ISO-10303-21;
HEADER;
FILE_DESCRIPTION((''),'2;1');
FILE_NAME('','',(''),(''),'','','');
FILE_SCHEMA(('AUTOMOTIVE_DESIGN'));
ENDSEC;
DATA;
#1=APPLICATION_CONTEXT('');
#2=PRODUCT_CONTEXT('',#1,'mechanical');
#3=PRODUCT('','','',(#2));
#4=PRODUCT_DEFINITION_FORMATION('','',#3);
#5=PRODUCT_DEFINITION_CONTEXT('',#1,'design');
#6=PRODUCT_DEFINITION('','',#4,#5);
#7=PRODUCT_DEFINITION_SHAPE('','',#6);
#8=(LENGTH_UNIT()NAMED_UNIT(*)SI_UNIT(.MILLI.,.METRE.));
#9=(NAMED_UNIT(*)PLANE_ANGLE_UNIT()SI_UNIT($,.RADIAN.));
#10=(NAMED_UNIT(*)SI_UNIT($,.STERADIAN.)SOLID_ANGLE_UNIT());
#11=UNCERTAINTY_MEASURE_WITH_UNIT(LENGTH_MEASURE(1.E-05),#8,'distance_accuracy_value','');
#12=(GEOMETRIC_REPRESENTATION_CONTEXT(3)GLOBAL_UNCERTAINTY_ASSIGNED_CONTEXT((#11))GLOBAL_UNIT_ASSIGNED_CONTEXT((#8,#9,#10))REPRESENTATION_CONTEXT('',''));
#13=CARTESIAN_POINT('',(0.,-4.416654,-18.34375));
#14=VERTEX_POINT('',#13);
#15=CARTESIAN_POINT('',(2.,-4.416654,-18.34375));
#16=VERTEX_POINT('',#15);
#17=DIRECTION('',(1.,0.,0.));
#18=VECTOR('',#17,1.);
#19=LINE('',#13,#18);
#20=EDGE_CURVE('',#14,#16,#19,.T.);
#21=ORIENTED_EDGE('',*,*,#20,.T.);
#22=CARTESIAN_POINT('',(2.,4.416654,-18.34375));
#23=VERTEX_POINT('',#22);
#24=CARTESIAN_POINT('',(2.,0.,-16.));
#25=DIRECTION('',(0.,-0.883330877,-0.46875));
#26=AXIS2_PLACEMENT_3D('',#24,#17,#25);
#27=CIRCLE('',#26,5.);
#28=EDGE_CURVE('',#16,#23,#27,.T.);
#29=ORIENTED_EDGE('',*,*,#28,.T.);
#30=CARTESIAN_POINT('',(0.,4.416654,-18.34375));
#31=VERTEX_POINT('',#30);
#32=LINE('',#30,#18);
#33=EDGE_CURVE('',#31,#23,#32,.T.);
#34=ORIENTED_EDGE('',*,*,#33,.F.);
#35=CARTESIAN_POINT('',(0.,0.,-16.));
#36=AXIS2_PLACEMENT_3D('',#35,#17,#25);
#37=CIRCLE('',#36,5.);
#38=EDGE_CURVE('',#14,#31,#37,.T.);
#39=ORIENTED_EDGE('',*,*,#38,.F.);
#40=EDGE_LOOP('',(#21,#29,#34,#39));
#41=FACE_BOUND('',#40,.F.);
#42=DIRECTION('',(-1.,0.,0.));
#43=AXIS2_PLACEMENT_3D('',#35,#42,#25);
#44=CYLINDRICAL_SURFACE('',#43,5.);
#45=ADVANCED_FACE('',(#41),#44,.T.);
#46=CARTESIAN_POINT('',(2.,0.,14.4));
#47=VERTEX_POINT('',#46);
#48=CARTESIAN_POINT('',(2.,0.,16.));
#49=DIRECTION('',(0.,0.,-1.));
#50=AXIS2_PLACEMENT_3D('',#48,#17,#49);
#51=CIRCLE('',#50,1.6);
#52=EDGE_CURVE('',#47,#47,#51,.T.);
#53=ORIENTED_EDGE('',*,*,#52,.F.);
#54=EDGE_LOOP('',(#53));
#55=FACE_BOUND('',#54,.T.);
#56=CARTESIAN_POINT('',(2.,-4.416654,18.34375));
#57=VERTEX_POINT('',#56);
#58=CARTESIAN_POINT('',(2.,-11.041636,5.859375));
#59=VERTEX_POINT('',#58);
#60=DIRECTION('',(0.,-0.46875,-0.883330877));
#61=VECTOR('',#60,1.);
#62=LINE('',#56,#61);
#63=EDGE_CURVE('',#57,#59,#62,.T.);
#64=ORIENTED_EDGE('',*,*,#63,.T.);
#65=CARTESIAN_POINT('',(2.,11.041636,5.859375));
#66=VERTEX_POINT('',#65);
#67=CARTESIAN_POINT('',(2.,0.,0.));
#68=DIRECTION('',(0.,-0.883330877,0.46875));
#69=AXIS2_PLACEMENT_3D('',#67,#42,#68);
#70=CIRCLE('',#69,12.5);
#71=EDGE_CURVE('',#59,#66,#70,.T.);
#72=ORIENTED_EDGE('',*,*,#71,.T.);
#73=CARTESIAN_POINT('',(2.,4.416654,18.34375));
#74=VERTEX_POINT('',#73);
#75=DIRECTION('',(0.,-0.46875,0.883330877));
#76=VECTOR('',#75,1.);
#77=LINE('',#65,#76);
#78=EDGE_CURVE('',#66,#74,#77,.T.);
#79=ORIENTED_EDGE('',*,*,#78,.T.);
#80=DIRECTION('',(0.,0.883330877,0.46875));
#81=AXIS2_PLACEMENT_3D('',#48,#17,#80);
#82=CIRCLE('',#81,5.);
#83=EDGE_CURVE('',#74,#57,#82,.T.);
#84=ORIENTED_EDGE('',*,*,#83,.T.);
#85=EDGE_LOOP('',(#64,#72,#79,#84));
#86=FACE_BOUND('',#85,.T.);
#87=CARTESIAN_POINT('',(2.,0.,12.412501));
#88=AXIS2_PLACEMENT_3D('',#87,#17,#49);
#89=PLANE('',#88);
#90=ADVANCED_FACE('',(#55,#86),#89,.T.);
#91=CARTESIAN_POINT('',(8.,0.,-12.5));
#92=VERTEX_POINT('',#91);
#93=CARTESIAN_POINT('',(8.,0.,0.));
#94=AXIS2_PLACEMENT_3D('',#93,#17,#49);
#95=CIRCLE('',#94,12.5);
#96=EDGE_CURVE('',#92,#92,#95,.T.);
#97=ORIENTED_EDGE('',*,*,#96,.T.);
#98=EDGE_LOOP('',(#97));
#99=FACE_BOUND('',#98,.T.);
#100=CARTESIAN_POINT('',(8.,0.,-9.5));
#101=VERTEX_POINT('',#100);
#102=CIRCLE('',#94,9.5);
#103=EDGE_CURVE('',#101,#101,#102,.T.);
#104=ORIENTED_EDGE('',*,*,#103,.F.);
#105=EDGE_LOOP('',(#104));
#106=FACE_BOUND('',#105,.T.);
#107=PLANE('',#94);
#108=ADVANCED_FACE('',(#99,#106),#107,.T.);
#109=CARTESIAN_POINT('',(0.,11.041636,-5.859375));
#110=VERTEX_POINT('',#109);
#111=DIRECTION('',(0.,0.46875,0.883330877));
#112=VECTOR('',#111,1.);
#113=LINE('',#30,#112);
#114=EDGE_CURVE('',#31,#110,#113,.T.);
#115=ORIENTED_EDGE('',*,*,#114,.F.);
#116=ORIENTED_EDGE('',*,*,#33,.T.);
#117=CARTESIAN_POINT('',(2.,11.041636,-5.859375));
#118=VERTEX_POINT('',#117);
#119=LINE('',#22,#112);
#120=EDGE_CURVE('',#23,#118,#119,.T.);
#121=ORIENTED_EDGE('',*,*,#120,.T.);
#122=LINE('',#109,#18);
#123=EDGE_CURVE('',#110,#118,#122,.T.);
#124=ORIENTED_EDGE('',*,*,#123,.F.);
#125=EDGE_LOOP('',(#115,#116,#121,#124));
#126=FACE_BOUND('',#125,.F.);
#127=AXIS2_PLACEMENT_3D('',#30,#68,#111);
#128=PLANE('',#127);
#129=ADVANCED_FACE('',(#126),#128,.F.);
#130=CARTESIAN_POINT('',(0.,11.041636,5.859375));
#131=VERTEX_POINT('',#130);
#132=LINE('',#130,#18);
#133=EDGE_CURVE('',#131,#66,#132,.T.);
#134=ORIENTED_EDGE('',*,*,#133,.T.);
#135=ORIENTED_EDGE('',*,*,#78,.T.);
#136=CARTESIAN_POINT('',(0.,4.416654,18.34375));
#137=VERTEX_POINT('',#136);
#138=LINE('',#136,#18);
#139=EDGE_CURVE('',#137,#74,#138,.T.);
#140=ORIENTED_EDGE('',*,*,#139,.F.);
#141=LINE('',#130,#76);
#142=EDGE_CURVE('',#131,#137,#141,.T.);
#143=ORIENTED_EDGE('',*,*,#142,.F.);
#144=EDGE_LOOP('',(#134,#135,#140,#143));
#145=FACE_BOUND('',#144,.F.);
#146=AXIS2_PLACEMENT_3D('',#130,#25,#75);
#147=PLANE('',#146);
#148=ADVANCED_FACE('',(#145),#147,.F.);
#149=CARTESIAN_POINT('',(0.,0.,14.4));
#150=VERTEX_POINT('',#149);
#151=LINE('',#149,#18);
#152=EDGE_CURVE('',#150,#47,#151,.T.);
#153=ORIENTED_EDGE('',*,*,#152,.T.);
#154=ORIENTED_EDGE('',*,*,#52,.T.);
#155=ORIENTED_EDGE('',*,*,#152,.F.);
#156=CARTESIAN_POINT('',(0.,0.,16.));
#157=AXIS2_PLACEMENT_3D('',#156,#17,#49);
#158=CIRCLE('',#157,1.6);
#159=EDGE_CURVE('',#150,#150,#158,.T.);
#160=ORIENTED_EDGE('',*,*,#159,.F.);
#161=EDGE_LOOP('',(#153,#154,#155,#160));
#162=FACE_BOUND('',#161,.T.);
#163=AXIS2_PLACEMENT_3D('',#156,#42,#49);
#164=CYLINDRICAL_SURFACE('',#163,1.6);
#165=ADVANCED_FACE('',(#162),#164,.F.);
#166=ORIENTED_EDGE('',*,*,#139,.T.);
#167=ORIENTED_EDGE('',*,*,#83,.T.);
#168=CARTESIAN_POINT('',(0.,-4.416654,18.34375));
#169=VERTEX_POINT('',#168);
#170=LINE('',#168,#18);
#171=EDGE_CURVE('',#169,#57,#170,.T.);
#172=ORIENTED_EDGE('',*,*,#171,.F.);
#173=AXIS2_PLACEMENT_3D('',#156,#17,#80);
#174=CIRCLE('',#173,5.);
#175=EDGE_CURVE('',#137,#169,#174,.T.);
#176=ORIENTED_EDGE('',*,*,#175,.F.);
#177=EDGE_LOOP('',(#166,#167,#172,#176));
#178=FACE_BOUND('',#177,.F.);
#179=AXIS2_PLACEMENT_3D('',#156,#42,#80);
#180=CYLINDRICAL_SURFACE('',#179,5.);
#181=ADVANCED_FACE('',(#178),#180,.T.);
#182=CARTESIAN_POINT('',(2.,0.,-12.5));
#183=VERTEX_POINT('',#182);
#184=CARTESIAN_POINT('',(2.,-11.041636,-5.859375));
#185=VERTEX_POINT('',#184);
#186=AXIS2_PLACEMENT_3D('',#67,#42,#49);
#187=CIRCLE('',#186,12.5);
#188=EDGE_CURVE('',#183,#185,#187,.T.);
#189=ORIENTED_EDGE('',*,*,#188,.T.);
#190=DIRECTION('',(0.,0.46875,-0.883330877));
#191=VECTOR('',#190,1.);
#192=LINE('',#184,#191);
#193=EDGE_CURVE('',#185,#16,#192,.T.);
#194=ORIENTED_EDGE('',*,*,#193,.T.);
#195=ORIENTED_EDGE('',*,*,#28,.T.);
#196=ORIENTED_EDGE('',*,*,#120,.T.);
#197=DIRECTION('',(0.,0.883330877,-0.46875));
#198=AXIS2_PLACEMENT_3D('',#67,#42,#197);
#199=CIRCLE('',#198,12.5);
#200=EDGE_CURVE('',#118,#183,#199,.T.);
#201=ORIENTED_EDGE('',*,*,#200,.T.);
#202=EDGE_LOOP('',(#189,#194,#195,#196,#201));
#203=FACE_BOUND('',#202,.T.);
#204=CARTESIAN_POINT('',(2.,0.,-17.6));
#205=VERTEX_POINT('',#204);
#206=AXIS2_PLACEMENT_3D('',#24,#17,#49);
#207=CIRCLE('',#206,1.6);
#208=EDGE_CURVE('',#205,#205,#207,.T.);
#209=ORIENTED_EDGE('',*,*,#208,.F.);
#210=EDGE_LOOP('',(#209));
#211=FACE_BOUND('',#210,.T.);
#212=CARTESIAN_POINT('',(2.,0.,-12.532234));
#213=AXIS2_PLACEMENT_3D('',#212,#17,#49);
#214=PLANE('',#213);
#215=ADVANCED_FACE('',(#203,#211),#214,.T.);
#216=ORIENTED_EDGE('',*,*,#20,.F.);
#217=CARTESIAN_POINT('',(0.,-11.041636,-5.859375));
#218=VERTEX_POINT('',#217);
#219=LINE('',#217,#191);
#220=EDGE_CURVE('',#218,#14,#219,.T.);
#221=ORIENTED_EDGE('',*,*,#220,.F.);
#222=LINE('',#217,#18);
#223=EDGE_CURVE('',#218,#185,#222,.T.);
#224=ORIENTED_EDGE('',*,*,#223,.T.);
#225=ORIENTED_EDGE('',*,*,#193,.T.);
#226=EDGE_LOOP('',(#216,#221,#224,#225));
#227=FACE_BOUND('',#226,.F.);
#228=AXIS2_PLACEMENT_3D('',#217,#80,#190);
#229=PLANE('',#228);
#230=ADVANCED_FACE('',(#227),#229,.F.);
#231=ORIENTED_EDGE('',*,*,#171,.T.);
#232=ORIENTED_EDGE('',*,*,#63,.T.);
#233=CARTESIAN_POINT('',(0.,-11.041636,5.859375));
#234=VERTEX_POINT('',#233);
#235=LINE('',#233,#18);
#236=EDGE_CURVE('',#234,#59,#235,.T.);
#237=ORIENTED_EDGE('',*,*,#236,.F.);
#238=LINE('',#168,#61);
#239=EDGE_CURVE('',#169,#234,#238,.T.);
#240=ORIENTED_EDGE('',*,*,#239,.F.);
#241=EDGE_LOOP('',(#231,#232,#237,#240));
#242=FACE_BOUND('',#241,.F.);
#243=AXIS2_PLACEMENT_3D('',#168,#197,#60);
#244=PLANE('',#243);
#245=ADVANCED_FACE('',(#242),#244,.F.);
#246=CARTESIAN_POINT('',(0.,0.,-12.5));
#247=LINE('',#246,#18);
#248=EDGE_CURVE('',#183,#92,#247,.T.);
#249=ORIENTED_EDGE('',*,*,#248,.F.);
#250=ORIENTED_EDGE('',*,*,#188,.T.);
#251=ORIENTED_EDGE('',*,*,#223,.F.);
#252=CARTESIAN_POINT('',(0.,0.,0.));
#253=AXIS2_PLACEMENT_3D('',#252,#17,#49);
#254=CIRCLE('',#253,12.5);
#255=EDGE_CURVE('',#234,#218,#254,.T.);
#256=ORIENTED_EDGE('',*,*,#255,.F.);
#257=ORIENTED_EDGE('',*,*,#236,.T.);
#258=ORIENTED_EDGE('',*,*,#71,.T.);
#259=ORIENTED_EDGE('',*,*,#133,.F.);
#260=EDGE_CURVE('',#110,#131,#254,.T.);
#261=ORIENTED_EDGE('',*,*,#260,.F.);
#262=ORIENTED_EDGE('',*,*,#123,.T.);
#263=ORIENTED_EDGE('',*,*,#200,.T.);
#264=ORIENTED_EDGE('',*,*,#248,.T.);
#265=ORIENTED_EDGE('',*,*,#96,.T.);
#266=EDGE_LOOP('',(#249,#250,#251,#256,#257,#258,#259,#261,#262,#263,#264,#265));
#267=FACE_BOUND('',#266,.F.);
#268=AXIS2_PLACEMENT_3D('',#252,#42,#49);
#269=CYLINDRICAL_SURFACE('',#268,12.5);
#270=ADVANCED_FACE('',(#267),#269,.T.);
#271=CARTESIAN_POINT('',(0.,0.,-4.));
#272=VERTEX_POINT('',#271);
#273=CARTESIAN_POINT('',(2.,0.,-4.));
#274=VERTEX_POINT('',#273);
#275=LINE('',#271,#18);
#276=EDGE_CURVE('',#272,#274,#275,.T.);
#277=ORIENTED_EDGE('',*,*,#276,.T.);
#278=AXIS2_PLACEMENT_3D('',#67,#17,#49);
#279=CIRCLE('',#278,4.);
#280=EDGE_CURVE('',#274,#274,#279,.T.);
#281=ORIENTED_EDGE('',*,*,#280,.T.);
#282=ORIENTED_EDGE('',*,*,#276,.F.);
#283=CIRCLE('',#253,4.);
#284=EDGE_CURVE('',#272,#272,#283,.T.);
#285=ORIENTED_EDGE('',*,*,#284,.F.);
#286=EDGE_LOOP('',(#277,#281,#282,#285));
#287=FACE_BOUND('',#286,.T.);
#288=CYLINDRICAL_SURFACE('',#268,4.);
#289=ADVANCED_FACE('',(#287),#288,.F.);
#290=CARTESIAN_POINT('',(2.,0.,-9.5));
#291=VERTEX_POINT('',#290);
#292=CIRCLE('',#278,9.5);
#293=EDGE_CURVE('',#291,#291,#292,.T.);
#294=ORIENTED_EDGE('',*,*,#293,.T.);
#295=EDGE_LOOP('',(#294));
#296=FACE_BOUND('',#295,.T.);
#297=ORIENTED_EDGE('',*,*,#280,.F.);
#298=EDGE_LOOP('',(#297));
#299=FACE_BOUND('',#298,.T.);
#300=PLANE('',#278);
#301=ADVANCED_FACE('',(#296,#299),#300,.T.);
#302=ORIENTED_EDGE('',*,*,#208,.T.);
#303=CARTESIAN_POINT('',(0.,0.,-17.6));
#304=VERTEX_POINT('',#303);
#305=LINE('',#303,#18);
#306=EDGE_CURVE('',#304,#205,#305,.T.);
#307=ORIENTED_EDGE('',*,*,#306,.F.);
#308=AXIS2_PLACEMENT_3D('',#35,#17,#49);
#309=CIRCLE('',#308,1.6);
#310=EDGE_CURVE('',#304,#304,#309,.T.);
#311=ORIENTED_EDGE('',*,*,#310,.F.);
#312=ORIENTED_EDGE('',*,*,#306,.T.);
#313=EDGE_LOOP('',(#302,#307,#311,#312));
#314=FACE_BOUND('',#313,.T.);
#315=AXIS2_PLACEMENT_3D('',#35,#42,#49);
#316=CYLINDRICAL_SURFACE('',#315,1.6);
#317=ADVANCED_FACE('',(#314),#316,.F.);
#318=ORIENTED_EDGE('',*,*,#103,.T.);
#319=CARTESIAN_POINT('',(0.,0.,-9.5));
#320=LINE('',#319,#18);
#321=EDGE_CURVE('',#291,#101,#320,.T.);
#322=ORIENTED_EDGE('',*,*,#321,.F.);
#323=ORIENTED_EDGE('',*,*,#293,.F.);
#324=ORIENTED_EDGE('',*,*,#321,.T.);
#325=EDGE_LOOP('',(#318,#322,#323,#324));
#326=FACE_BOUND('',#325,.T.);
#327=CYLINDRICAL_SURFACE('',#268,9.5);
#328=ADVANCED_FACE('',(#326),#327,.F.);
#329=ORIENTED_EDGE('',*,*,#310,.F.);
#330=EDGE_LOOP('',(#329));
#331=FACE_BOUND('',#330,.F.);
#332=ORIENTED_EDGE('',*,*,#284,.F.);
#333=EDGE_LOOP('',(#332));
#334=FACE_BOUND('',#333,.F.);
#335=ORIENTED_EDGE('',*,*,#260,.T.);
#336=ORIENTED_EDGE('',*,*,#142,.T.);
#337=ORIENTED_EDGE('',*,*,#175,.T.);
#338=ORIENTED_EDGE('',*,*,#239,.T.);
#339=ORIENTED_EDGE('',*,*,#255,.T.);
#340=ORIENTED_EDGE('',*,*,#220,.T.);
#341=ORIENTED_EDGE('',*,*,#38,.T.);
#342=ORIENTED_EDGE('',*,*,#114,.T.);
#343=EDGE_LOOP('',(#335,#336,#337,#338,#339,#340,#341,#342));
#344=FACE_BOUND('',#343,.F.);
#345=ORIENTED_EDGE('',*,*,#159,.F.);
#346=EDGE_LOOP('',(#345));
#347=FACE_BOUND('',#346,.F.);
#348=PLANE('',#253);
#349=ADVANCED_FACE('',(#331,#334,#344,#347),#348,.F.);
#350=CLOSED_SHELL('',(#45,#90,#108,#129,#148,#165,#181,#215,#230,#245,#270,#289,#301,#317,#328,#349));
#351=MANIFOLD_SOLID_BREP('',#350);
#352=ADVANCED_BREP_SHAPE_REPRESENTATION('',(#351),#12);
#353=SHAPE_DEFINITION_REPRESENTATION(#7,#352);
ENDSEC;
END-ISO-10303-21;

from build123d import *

# Parameters (mm, degrees)
SKETCH1_R             = 1.6
BOSS_EXTRUDE1_DEPTH   = 2
BOSS_EXTRUDE1_2_DEPTH = 2
SKETCH1_5_R           = 12.5
SKETCH1_5_R_2         = 9.5
BOSS_EXTRUDE2_DEPTH   = 8
SKETCH1_6_R           = 9.5
SKETCH1_6_R_2         = 4
BOSS_EXTRUDE3_DEPTH   = 2


with BuildPart() as part:
    # Sketch1 → Boss-Extrude1 (new body)
    with BuildSketch(Plane(origin=(0, 0, 0), x_dir=(0, 0, -1), z_dir=(1, 0, 0))):
        with BuildLine():
            Line((-5.859375, 11.041635957), (-18.34375, 4.416654383))
            ThreePointArc((-18.34375, 4.416654383), (-21, 0), (-18.34375, -4.416654383))
            Line((-18.34375, -4.416654383), (-5.859375, -11.041635957))
            ThreePointArc((-5.859375, -11.041635957), (-12.5, 0), (-5.859375, 11.041635957))
        make_face()
        with Locations((-16, 0)):
            Circle(SKETCH1_R, mode=Mode.SUBTRACT)
    extrude(amount=BOSS_EXTRUDE1_DEPTH)



with BuildPart() as body_2:
    # Sketch1 → Boss-Extrude1 2 (new body)
    with BuildSketch(Plane(origin=(0, 0, 0), x_dir=(0, 0, -1), z_dir=(1, 0, 0))):
        with BuildLine():
            Line((18.34375, 4.416654383), (5.859375, 11.041635957))
            ThreePointArc((5.859375, 11.041635957), (10.711960313, 6.44235254), (12.5, 0))
            ThreePointArc((12.5, 0), (10.711960313, -6.44235254), (5.859375, -11.041635957))
            Line((5.859375, -11.041635957), (18.34375, -4.416654383))
            ThreePointArc((18.34375, -4.416654383), (21, 0), (18.34375, 4.416654383))
        make_face()
        with Locations((16, 0)):
            Circle(SKETCH1_R, mode=Mode.SUBTRACT)
    extrude(amount=BOSS_EXTRUDE1_2_DEPTH)


with BuildPart() as part_1:
    add(part.part)

    add(body_2.part)  # Boss-Extrude2 merges body 2
    # Sketch1<5> → Boss-Extrude2 (add)
    with BuildSketch(Plane(origin=(0, 0, 0), x_dir=(0, 0, -1), z_dir=(1, 0, 0))):
        Circle(SKETCH1_5_R)
        Circle(SKETCH1_5_R_2, mode=Mode.SUBTRACT)
    extrude(amount=BOSS_EXTRUDE2_DEPTH)

    # Sketch1<6> → Boss-Extrude3 (add)
    with BuildSketch(Plane(origin=(0, 0, 0), x_dir=(0, 0, -1), z_dir=(1, 0, 0))):
        Circle(SKETCH1_6_R)
        Circle(SKETCH1_6_R_2, mode=Mode.SUBTRACT)
    extrude(amount=BOSS_EXTRUDE3_DEPTH)


solid = part_1.part
